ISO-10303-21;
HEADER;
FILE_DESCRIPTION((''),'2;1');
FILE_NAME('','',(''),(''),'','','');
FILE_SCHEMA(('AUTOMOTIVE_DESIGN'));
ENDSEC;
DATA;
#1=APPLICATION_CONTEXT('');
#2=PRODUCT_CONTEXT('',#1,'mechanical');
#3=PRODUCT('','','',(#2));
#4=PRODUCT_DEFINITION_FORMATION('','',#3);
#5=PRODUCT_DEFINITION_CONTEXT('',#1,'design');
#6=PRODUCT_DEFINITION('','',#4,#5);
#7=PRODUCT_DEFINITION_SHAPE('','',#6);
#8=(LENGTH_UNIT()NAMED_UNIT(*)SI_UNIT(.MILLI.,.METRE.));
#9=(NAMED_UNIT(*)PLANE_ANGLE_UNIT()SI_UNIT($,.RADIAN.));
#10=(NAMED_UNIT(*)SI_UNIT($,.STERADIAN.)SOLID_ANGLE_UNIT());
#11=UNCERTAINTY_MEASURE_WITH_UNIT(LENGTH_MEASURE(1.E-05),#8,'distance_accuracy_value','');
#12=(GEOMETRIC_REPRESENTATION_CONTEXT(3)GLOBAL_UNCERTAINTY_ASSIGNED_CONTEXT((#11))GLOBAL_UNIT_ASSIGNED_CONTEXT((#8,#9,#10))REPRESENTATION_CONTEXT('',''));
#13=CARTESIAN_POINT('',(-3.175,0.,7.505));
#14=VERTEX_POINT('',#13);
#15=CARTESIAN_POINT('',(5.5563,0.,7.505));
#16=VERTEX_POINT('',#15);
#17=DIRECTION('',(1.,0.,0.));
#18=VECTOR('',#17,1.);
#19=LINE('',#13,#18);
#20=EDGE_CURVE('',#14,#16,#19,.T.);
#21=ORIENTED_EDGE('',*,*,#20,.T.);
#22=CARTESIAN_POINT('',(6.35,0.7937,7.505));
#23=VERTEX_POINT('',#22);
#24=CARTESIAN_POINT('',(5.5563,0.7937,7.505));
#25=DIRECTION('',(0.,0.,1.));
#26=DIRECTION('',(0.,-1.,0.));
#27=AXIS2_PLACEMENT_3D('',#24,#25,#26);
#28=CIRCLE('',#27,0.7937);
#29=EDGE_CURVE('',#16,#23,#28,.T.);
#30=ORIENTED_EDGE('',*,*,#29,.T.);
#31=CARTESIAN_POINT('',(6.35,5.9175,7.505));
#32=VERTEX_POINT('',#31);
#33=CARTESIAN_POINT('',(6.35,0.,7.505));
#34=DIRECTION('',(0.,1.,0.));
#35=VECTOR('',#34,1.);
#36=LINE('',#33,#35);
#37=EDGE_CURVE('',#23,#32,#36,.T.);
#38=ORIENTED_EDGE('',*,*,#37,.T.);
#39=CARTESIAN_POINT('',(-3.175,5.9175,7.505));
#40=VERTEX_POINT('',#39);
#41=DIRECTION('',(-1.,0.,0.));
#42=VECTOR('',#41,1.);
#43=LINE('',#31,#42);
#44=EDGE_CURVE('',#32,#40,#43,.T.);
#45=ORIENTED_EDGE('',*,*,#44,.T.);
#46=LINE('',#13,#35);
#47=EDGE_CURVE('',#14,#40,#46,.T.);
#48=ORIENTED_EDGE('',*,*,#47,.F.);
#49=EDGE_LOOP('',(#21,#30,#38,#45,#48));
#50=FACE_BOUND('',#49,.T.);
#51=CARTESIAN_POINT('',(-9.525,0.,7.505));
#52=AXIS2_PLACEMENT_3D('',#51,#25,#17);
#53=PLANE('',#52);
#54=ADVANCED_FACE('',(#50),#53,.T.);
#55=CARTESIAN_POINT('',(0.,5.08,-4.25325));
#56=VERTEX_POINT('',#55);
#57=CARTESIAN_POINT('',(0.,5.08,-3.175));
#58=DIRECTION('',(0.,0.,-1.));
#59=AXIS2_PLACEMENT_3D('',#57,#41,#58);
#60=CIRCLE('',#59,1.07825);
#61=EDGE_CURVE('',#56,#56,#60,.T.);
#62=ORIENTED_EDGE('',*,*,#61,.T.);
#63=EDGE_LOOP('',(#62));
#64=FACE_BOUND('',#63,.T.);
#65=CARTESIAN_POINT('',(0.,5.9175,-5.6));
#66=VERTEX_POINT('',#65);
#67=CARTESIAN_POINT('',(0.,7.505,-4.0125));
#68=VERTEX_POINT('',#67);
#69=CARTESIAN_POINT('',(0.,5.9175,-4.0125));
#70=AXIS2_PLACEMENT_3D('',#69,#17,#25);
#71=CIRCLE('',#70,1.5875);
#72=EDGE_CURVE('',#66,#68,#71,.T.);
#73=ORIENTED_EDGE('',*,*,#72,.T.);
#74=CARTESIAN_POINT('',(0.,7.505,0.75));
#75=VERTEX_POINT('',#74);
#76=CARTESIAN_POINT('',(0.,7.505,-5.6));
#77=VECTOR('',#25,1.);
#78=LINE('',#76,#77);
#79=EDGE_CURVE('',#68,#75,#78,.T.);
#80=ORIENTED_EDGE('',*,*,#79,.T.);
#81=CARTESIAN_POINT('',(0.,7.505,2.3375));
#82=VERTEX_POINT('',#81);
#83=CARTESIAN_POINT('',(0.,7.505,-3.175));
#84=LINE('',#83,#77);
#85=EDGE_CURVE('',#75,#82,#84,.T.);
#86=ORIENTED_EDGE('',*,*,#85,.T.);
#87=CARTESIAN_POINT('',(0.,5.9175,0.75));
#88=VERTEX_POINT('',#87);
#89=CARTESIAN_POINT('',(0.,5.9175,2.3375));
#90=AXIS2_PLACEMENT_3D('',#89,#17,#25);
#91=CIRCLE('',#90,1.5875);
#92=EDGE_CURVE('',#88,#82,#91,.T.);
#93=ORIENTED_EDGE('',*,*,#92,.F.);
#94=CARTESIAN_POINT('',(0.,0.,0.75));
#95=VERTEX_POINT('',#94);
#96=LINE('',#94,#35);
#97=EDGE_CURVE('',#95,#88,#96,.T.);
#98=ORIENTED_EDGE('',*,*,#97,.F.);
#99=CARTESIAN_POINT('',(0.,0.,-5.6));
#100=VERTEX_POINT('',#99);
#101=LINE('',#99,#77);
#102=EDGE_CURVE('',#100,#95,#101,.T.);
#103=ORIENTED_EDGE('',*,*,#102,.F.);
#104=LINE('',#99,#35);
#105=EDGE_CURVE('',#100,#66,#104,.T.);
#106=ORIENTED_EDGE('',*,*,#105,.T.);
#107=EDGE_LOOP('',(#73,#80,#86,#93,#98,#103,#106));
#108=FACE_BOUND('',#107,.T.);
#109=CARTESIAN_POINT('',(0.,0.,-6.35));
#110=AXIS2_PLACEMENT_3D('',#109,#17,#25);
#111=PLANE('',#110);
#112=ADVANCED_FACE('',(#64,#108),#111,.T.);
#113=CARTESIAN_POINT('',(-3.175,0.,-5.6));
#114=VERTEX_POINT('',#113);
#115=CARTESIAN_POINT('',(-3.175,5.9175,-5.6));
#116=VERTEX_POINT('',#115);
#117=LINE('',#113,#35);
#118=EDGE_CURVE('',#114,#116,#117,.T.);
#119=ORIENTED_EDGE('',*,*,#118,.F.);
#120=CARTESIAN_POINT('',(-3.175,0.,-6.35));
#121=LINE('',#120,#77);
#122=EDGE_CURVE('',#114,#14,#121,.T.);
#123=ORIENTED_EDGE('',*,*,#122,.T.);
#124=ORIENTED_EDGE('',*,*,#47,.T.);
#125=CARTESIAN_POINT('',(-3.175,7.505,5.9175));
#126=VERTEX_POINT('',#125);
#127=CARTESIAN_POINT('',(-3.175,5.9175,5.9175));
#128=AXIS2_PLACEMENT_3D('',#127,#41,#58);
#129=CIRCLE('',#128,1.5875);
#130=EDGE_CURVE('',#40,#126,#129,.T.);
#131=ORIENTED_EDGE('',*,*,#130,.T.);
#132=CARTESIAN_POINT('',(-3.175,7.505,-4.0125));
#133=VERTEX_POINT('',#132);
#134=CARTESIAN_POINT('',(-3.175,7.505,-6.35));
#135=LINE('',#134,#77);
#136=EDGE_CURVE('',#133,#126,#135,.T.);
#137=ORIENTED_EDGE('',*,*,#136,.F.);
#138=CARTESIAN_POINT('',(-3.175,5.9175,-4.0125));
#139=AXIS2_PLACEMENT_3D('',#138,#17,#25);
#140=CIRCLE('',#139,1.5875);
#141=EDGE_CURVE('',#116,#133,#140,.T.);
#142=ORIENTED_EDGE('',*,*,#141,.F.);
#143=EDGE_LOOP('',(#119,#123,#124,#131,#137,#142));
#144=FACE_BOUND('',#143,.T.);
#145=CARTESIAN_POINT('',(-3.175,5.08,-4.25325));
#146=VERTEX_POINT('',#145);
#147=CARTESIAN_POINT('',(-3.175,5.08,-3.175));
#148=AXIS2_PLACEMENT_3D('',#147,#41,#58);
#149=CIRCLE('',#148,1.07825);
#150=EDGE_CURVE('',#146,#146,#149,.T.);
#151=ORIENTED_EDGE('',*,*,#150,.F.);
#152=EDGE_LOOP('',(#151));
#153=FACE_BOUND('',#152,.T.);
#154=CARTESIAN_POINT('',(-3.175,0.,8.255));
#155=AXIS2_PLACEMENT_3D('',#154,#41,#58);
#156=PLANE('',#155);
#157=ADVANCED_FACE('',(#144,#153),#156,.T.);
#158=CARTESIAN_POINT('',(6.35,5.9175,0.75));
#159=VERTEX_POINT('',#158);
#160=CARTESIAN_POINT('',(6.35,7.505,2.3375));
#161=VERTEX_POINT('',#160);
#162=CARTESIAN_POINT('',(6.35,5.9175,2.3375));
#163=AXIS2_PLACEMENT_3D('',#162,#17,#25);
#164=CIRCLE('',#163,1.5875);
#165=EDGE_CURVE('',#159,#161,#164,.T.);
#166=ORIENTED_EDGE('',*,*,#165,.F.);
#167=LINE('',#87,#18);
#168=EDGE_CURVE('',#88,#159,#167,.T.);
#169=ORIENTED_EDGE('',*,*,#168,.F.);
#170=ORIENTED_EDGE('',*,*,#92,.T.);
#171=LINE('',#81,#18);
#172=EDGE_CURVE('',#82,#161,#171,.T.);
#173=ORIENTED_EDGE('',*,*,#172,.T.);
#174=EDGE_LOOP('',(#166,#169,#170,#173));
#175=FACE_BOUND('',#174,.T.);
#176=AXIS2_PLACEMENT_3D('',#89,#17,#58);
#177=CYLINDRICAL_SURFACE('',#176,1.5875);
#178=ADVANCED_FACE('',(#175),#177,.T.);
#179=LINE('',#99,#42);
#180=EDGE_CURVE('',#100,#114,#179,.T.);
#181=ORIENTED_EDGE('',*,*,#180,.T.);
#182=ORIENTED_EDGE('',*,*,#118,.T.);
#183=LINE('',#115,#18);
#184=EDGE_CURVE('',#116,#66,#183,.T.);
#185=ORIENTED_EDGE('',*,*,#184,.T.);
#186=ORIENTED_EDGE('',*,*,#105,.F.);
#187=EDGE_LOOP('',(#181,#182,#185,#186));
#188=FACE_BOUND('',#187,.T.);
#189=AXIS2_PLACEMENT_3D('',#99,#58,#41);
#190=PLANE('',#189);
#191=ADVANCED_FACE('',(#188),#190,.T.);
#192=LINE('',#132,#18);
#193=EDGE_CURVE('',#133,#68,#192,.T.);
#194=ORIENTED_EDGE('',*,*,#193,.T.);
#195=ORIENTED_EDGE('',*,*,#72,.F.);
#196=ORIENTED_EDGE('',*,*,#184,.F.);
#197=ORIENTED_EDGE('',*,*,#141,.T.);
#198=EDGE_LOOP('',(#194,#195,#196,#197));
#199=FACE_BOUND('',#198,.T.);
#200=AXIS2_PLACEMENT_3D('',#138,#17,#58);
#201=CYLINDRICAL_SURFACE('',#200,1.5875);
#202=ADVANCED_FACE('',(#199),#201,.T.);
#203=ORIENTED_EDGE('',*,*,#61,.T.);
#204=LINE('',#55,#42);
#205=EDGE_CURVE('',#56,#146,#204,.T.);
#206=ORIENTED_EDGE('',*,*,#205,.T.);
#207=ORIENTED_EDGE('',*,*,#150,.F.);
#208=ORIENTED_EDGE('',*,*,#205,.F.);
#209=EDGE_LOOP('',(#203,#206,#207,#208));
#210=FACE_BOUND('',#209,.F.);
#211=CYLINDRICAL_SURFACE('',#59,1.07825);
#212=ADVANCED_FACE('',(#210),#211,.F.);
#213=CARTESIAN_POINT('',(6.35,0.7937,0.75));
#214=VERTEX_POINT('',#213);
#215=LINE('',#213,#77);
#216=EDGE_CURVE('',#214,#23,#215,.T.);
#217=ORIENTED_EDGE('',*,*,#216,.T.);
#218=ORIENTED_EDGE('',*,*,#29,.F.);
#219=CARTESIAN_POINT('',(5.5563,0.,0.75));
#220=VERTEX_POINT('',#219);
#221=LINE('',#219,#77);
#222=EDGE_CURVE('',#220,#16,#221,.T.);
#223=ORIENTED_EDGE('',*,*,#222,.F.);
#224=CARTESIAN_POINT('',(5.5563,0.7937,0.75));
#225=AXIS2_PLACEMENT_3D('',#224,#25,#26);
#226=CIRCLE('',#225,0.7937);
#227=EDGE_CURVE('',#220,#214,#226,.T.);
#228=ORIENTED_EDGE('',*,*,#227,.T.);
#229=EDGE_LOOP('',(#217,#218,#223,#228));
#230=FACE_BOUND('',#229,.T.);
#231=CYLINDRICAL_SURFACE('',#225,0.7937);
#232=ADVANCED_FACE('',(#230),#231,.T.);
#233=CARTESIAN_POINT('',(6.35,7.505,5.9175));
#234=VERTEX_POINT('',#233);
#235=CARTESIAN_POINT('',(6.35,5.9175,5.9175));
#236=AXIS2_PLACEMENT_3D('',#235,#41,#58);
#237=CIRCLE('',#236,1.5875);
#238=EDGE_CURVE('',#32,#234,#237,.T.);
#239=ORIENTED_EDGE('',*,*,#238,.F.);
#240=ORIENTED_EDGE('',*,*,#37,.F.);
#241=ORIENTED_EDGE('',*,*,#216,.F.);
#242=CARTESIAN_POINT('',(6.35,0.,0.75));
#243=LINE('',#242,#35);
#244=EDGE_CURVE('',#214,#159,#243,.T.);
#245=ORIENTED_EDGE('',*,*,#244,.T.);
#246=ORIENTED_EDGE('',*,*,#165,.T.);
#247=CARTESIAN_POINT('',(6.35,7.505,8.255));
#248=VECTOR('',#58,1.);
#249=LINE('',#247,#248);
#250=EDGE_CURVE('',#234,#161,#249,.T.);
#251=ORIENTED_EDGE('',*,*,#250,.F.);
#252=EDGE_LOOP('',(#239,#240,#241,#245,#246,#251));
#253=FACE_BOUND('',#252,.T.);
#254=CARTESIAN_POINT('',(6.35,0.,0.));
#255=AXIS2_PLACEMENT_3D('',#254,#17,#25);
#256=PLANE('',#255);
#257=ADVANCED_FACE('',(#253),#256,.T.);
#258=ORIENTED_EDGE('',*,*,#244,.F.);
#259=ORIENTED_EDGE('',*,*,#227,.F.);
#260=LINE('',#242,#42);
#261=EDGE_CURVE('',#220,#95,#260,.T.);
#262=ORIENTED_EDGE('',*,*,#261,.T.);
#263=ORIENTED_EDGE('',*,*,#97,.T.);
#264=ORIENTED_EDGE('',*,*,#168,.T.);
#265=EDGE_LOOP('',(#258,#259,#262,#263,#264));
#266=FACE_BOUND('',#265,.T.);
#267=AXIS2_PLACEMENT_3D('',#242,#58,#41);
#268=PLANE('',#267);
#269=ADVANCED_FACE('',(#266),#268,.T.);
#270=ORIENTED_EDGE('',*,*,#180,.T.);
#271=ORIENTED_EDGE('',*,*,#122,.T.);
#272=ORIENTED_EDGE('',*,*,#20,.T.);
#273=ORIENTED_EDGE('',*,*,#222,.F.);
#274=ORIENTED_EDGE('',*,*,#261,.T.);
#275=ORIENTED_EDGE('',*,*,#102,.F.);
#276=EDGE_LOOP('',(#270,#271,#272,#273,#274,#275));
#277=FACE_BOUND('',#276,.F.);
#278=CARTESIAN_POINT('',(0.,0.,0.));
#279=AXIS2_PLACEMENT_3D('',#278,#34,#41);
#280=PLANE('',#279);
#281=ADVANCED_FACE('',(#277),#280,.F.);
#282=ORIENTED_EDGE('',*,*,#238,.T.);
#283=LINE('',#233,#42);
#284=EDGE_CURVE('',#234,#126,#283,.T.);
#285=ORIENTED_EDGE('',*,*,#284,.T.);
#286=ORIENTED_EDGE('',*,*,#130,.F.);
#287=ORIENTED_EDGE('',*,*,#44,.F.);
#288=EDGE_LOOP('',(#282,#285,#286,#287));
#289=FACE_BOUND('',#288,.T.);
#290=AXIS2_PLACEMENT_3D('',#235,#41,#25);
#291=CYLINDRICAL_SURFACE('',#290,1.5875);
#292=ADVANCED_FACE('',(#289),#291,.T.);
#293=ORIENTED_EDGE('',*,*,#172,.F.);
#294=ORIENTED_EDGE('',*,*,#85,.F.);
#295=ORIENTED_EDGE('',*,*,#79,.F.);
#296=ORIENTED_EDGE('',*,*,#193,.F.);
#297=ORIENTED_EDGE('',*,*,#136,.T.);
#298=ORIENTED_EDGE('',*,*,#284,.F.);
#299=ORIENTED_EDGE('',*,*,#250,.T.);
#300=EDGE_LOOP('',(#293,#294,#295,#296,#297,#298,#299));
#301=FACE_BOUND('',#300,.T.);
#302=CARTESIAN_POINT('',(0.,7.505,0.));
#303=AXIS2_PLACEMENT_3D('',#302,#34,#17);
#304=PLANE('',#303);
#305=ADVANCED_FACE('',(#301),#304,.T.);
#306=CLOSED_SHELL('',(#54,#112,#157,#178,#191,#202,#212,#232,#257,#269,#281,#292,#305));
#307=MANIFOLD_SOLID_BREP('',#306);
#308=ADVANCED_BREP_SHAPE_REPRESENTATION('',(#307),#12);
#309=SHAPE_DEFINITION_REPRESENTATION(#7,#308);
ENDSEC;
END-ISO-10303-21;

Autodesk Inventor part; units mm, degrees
ref_plane "YZ Plane" through (0, 0, 0) normal (1, 0, 0) x (0, 1, 0)
ref_plane "XZ Plane" through (0, 0, 0) normal (0, 1, 0) x (-1, 0, 0)
ref_plane "XY Plane" through (0, 0, 0) normal (0, 0, 1) x (1, 0, 0)
sketch "Sketch1" plane through (0, 0, 0) normal (0, 1, 0) x (-1, 0, 0)
  line L0 (0, 0) -> (3.175, 0)
  line L1 (3.175, 0) -> (3.175, -6.35)
  line L2 (3.175, -6.35) -> (0, -6.35)
  line L3 (0, -6.35) -> (0, 0)
  line L4 (0, 0) -> (9.525, 0)
  line L5 (9.525, 0) -> (9.525, 8.255)
  line L6 (9.525, 8.255) -> (0, 8.255)
  line L7 (0, 8.255) -> (0, 0)
  line L8 (3.175, 0) -> (-6.35, 0)
  line L9 (-6.35, 0) -> (-6.35, 8.255)
  line L10 (-6.35, 8.255) -> (3.175, 8.255)
  line L11 (3.175, 8.255) -> (3.175, 0)
  dimension "d0" = 3.175
  dimension "d1" = 6.35
  dimension "d2" = 9.525
  dimension "d3" = 8.255
  dimension "d21" = 9.525
extrude "Extrusion1" add sketch "Sketch1" along normal blind 8.255 contours L7 L6 L11 L0 | L0 L1 L2 L3 | L8 L9 L10 L7
sketch "Sketch2" plane through (0, 0, 8.255) normal (1, 0, 0) x (0, 0, -1)
  line L0 (8.255, 8.255) -> (14.605, 8.255) projected
  line L1 (14.605, 8.255) -> (11.43, 8.255)
  line L2 (11.43, 8.255) -> (11.43, 5.08)
  line L3 (11.43, 5.08) -> (14.605, 5.08)
  line L4 (14.605, 5.08) -> (14.605, 8.255)
  point P0 (8.255, 0)
  point P1 (0, 8.255)
  dimension "d6" = 3.175
  dimension "d7" = 3.175
hole "Hole1" at (0, 5.08, -3.175) direction (-1, 0, 0) diameter 2.1565 depth 8.8646 tip angle 118 thread size "4-40 UNC" class "2B" standard "ANSI Unified Screw Threads"
sketch "Sketch3" plane through (0, 8.255, 0) normal (0, 1, 0) x (1, 0, 0)
  line L0 (0, 0) -> (0, 6.35) projected
  line L1 (0, 6.35) -> (-3.175, 6.35) projected
  line L2 (-3.175, 6.35) -> (-3.175, -8.255) projected
  line L3 (-3.175, -8.255) -> (6.35, -8.255) projected
  line L4 (6.35, -8.255) -> (6.35, 0) projected
  line L5 (6.35, 0) -> (0, 0) projected
extrude "Extrusion2" cut sketch "Sketch3" against normal blind 0.75
sketch "Sketch4" plane through (0, 0, -6.35) normal (0, 0, -1) x (-1, 0, 0)
  line L0 (3.175, 7.505) -> (0, 7.505) projected
  line L1 (0, 0) -> (0, 7.505) projected
  line L2 (0, 0) -> (3.175, 0) projected
  line L3 (3.175, 0) -> (3.175, 7.505) projected
extrude "Extrusion3" cut sketch "Sketch4" against normal blind 0.75
sketch "Sketch5" plane through (-9.525, 0, 8.255) normal (0, 0, 1) x (1, 0, 0)
  line L0 (15.875, 7.505) -> (6.35, 7.505) projected
  line L1 (6.35, 0) -> (15.875, 0) projected
  line L2 (6.35, 0) -> (6.35, 7.505) projected
  line L3 (15.875, 0) -> (15.875, 7.505) projected
  line L4 (15.875, 7.505) -> (6.35, 7.505) projected
  line L5 (6.35, 0) -> (6.35, 7.505) projected
  line L6 (6.35, 0) -> (15.875, 0) projected
  line L7 (15.875, 0) -> (15.875, 7.505) projected
  point P0 (9.525, 0)
extrude "Extrusion4" cut sketch "Sketch5" against normal blind 0.75
sketch "Sketch6" plane through (6.35, 0, 0) normal (0, 0, -1) x (-1, 0, 0)
  line L0 (6.35, 7.505) -> (0, 7.505) projected
  line L1 (0, 0) -> (0, 7.505) projected
  line L2 (0, 0) -> (6.35, 0) projected
  line L3 (6.35, 0) -> (6.35, 7.505) projected
extrude "Extrusion5" cut sketch "Sketch6" against normal blind 0.75
fillet "Fillet1" radius 1.5875 3 edges at (1.5875, 7.505, 7.505) (-1.5875, 7.505, -5.6) (3.175, 7.505, 0.75)
fillet "Fillet2" radius 0.7937 1 edges at (6.35, 0, 4.1275)
properties part number "AFL-101-002-01-4E RetainerNut"
